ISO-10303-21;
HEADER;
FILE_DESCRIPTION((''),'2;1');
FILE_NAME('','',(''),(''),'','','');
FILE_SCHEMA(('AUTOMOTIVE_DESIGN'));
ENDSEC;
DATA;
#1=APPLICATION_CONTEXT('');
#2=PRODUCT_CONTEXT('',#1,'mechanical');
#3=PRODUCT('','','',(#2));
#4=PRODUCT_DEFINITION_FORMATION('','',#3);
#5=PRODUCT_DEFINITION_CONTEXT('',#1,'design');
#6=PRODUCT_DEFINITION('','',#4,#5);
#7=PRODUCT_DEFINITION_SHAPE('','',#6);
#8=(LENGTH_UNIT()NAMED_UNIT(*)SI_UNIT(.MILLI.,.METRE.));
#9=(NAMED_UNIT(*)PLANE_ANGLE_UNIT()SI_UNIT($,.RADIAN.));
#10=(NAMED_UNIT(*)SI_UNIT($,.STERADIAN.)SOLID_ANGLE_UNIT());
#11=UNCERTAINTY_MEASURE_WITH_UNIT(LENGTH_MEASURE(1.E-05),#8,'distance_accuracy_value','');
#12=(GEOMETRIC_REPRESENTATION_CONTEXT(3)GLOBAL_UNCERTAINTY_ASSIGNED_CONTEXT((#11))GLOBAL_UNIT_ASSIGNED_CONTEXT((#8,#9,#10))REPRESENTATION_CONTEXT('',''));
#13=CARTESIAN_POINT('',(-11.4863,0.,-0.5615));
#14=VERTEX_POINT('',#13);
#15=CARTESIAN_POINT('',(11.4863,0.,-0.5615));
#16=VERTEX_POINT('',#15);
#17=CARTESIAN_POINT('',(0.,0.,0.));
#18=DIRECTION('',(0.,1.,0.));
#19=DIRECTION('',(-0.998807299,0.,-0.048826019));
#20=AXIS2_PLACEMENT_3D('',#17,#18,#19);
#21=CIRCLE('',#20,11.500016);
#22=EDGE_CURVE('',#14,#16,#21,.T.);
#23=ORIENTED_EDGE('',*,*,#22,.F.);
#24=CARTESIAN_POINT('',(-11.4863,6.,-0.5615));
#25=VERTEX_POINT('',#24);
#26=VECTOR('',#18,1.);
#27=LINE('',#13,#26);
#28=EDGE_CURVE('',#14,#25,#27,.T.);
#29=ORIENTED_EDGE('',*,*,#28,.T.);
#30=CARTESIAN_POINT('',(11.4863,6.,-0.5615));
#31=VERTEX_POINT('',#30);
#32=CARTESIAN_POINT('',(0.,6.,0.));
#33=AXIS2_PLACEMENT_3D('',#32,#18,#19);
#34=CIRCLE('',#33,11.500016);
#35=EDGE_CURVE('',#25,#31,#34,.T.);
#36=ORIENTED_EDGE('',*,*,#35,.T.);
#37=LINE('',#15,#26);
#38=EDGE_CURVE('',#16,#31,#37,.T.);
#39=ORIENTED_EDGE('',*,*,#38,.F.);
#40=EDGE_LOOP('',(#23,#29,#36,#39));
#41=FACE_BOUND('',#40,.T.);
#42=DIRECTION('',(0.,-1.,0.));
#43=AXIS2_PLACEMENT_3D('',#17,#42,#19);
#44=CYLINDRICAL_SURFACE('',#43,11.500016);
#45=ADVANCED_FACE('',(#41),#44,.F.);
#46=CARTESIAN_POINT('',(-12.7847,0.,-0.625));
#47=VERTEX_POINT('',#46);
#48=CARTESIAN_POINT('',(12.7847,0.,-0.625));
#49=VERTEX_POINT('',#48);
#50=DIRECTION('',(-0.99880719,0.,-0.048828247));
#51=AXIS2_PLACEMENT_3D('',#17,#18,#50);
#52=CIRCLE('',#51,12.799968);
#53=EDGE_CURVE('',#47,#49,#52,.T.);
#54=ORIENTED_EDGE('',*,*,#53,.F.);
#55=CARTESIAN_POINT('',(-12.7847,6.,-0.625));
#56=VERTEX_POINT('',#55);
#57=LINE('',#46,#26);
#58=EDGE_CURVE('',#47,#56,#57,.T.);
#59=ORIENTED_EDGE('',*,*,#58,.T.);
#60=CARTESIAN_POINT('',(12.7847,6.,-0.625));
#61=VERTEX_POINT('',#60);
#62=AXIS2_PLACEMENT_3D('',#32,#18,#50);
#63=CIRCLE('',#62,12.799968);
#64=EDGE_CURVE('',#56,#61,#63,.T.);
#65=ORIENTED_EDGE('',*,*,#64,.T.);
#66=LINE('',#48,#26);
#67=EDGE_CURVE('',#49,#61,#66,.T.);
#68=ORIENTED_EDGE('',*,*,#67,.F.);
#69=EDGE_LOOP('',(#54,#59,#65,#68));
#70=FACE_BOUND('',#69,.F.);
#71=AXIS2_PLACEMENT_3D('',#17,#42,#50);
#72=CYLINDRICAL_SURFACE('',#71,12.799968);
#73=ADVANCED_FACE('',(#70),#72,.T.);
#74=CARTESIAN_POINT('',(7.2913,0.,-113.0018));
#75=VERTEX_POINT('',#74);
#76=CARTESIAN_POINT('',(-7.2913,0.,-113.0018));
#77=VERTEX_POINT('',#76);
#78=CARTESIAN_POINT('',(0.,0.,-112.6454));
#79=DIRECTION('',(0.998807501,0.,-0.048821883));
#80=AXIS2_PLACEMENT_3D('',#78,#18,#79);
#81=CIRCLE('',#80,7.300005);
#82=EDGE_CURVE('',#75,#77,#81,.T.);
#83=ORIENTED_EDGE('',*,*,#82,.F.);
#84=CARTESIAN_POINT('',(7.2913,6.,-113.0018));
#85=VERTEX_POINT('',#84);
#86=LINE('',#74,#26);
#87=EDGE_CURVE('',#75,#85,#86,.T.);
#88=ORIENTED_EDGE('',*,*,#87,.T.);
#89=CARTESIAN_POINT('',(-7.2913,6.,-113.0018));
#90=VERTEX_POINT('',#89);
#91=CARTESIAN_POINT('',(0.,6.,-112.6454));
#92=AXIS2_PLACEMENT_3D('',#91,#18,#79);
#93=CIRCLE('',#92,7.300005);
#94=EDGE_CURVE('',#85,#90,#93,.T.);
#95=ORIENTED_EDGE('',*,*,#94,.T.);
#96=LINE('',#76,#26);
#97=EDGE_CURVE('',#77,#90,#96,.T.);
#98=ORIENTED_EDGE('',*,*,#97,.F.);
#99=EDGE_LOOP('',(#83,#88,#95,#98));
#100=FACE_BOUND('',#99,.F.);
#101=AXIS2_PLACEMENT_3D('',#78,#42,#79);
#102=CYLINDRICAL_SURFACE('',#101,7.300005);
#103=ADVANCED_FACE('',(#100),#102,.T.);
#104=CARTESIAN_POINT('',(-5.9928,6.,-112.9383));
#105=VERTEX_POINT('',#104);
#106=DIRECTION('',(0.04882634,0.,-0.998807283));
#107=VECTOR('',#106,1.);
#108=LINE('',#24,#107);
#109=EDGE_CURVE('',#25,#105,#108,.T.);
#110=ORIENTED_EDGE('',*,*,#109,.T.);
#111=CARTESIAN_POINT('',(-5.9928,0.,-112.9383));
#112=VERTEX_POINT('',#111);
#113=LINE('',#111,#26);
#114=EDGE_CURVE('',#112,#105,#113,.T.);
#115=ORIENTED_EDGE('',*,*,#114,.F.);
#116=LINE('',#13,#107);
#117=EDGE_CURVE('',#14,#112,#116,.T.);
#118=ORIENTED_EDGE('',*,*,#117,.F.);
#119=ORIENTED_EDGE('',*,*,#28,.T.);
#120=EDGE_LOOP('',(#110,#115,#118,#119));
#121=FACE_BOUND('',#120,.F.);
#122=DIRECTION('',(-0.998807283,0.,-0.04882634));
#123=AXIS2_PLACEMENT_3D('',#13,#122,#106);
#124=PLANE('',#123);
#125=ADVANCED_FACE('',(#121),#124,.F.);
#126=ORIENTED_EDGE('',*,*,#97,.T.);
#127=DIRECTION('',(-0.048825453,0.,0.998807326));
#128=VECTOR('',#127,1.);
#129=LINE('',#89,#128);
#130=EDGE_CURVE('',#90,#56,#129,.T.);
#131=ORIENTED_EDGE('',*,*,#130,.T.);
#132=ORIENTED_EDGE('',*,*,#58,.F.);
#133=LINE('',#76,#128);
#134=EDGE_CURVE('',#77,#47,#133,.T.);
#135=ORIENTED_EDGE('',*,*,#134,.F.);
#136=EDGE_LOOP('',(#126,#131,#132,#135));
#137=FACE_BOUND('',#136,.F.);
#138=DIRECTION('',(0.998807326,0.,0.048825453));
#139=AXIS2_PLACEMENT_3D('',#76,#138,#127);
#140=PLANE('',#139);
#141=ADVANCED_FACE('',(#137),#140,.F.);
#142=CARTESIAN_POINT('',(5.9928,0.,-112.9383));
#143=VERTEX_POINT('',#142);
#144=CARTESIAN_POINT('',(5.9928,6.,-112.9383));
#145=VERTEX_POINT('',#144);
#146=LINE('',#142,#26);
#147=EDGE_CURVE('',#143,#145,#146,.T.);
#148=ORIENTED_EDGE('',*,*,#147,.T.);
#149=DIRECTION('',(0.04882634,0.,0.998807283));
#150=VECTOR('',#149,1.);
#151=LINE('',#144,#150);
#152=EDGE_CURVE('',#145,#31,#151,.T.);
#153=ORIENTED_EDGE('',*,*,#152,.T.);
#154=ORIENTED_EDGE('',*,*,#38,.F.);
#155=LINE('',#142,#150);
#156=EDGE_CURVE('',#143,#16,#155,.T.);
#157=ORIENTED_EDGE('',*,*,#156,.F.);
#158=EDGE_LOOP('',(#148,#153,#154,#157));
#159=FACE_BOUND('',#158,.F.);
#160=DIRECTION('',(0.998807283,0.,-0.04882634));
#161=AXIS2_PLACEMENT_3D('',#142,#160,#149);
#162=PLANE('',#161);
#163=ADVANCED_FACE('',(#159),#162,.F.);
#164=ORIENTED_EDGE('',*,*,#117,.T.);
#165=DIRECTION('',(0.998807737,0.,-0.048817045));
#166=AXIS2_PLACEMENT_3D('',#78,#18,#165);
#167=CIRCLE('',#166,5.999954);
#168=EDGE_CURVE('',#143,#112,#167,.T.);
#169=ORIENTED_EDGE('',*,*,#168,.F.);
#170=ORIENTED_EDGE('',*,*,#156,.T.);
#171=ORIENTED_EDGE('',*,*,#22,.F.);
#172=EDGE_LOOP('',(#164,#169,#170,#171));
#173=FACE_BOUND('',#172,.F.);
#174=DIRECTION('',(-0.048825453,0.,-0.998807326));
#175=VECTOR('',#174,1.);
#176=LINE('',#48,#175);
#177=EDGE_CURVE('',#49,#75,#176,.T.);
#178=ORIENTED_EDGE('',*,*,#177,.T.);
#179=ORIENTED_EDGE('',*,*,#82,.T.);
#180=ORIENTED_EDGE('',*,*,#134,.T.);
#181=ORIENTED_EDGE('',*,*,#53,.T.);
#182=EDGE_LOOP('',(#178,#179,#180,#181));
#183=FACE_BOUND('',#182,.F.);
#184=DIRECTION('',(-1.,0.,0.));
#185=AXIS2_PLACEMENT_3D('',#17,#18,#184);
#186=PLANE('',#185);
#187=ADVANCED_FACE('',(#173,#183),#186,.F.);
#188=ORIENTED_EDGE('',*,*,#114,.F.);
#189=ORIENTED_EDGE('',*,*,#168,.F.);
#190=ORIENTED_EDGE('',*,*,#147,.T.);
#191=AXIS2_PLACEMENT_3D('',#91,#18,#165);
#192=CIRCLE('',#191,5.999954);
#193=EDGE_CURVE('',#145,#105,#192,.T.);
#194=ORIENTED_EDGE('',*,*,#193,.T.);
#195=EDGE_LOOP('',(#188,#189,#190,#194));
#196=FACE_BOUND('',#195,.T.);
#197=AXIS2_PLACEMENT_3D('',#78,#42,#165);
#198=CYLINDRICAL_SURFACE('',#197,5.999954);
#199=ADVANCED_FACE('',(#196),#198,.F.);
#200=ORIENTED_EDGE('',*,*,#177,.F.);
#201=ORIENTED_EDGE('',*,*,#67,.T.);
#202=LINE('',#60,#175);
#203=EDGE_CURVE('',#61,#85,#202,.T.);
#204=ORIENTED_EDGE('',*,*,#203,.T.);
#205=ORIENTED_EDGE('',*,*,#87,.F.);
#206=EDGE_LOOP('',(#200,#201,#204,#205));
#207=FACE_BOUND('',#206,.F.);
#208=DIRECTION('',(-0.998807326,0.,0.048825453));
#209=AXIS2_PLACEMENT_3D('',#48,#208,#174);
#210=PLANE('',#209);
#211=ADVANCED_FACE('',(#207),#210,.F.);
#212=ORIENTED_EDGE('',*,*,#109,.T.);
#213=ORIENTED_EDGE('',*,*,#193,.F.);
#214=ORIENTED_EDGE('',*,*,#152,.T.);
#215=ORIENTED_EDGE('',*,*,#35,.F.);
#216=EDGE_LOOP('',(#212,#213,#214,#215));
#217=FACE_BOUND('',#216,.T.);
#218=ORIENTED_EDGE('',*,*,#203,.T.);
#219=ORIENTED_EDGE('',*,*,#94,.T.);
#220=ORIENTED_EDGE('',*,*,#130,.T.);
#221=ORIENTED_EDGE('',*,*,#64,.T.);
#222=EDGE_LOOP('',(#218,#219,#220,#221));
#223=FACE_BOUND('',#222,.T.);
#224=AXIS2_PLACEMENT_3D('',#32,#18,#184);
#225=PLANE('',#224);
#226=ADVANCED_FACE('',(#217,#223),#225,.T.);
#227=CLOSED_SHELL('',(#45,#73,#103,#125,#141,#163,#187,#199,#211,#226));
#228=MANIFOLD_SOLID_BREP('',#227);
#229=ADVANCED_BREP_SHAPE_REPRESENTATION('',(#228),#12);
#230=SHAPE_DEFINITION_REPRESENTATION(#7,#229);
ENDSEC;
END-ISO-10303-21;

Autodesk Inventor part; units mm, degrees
ref_plane "YZ Plane" through (0, 0, 0) normal (1, 0, 0) x (0, 1, 0)
ref_plane "XZ Plane" through (0, 0, 0) normal (0, 1, 0) x (-1, 0, 0)
ref_plane "XY Plane" through (0, 0, 0) normal (0, 0, 1) x (1, 0, 0)
sketch "Sketch1" plane through (0, 0, 0) normal (0, 1, 0) x (-1, 0, 0)
  arc A0 (11.4863, -0.5615) -> (-11.4863, -0.5615) centre (0, 0) ccw
  arc A1 (-5.9928, -112.9383) -> (5.9928, -112.9383) centre (0, -112.6454) ccw
  line L0 (11.4863, -0.5615) -> (5.9928, -112.9383)
  line L1 (-5.9928, -112.9383) -> (-11.4863, -0.5615)
  line L2 (7.2913, -113.0018) -> (12.7847, -0.625)
  arc A2 (12.7847, -0.625) -> (-12.7847, -0.625) centre (0, 0) ccw
  line L3 (-12.7847, -0.625) -> (-7.2913, -113.0018)
  arc A3 (-7.2913, -113.0018) -> (7.2913, -113.0018) centre (0, -112.6454) ccw
  dimension "d0" = 23
  dimension "d1" = 12
  dimension "d2" = 112.511
  dimension "d6" = 1.3
extrude "Extrusion1" add sketch "Sketch1" along normal blind 6
properties part number "tandriem32Tnaar16T_lengte280"
